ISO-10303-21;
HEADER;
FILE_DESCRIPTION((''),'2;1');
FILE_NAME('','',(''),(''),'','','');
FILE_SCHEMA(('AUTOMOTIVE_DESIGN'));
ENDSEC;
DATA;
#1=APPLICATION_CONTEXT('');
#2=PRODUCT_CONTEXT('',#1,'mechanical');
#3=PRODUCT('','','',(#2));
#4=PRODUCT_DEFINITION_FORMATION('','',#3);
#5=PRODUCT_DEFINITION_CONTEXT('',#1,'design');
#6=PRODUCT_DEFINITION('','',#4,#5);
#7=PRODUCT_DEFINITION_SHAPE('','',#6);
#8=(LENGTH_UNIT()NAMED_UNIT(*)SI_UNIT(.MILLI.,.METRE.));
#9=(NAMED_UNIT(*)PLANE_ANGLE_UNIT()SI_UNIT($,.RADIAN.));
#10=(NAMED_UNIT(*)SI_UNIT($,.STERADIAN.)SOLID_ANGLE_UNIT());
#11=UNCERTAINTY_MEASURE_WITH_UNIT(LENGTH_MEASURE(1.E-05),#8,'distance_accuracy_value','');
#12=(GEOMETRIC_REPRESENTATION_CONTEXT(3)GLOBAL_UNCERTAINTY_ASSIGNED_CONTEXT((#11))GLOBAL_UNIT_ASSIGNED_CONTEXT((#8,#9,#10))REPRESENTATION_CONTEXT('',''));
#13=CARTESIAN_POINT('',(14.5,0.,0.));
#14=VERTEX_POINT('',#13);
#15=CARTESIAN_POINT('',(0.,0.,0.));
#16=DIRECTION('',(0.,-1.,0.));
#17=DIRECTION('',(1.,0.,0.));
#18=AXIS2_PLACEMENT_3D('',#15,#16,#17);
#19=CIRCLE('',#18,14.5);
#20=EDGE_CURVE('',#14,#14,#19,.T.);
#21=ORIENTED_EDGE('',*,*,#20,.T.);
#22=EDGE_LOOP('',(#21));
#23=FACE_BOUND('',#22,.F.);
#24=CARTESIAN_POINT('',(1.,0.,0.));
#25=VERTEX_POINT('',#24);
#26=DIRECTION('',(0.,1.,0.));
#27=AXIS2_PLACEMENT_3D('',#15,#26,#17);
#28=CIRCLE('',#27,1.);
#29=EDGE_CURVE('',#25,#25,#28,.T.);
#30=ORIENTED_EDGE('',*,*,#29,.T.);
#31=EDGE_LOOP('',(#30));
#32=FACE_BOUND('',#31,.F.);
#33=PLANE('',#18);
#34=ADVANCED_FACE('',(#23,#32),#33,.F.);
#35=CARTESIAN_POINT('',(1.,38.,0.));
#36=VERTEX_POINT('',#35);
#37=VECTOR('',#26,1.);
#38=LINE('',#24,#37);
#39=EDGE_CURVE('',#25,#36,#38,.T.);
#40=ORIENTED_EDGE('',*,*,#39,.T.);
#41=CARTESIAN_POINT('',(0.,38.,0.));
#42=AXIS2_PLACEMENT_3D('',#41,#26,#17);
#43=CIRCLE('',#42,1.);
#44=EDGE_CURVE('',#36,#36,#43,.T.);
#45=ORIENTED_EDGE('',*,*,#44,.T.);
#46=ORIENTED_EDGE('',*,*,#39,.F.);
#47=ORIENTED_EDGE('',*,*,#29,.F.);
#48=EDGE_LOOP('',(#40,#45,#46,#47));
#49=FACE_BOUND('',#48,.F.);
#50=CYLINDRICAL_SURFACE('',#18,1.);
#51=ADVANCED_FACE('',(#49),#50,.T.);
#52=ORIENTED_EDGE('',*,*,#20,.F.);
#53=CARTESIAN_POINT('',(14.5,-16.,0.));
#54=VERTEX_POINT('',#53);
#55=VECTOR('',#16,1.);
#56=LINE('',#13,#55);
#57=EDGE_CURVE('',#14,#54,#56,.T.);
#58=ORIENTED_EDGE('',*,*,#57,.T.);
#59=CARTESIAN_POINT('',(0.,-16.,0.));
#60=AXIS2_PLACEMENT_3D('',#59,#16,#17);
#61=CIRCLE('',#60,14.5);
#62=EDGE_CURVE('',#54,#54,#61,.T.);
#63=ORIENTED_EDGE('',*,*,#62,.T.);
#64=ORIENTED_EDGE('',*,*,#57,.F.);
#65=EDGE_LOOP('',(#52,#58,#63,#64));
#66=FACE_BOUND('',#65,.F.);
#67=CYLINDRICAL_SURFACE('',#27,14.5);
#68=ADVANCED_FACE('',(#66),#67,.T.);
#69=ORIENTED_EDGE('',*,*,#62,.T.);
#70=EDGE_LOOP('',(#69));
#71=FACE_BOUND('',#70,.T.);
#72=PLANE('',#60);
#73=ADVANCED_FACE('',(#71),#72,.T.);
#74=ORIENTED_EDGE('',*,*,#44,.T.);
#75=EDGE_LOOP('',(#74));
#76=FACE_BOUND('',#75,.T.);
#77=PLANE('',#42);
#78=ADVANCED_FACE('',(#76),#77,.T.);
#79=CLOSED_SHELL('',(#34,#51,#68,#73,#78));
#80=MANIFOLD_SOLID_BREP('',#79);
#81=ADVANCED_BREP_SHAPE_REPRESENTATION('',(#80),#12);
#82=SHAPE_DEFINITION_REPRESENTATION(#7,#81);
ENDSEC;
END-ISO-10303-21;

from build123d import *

# Parameters (mm, degrees)
SKETCH_R     = 14.5
PAD_DEPTH    = 16
SKETCH001_R  = 1
PAD001_DEPTH = 38


with BuildPart() as part:
    # Sketch → Pad (new body)
    with BuildSketch(Plane.XZ):
        Circle(SKETCH_R)
    extrude(amount=PAD_DEPTH)

    # Sketch001 (on Face2 of Pad) → Pad001 (join)
    with BuildSketch(Plane(origin=(0, 0, 0), x_dir=(1, 0, 0), z_dir=(0, 1, 0))):
        Circle(SKETCH001_R)
    extrude(amount=PAD001_DEPTH)


solid = part.part
